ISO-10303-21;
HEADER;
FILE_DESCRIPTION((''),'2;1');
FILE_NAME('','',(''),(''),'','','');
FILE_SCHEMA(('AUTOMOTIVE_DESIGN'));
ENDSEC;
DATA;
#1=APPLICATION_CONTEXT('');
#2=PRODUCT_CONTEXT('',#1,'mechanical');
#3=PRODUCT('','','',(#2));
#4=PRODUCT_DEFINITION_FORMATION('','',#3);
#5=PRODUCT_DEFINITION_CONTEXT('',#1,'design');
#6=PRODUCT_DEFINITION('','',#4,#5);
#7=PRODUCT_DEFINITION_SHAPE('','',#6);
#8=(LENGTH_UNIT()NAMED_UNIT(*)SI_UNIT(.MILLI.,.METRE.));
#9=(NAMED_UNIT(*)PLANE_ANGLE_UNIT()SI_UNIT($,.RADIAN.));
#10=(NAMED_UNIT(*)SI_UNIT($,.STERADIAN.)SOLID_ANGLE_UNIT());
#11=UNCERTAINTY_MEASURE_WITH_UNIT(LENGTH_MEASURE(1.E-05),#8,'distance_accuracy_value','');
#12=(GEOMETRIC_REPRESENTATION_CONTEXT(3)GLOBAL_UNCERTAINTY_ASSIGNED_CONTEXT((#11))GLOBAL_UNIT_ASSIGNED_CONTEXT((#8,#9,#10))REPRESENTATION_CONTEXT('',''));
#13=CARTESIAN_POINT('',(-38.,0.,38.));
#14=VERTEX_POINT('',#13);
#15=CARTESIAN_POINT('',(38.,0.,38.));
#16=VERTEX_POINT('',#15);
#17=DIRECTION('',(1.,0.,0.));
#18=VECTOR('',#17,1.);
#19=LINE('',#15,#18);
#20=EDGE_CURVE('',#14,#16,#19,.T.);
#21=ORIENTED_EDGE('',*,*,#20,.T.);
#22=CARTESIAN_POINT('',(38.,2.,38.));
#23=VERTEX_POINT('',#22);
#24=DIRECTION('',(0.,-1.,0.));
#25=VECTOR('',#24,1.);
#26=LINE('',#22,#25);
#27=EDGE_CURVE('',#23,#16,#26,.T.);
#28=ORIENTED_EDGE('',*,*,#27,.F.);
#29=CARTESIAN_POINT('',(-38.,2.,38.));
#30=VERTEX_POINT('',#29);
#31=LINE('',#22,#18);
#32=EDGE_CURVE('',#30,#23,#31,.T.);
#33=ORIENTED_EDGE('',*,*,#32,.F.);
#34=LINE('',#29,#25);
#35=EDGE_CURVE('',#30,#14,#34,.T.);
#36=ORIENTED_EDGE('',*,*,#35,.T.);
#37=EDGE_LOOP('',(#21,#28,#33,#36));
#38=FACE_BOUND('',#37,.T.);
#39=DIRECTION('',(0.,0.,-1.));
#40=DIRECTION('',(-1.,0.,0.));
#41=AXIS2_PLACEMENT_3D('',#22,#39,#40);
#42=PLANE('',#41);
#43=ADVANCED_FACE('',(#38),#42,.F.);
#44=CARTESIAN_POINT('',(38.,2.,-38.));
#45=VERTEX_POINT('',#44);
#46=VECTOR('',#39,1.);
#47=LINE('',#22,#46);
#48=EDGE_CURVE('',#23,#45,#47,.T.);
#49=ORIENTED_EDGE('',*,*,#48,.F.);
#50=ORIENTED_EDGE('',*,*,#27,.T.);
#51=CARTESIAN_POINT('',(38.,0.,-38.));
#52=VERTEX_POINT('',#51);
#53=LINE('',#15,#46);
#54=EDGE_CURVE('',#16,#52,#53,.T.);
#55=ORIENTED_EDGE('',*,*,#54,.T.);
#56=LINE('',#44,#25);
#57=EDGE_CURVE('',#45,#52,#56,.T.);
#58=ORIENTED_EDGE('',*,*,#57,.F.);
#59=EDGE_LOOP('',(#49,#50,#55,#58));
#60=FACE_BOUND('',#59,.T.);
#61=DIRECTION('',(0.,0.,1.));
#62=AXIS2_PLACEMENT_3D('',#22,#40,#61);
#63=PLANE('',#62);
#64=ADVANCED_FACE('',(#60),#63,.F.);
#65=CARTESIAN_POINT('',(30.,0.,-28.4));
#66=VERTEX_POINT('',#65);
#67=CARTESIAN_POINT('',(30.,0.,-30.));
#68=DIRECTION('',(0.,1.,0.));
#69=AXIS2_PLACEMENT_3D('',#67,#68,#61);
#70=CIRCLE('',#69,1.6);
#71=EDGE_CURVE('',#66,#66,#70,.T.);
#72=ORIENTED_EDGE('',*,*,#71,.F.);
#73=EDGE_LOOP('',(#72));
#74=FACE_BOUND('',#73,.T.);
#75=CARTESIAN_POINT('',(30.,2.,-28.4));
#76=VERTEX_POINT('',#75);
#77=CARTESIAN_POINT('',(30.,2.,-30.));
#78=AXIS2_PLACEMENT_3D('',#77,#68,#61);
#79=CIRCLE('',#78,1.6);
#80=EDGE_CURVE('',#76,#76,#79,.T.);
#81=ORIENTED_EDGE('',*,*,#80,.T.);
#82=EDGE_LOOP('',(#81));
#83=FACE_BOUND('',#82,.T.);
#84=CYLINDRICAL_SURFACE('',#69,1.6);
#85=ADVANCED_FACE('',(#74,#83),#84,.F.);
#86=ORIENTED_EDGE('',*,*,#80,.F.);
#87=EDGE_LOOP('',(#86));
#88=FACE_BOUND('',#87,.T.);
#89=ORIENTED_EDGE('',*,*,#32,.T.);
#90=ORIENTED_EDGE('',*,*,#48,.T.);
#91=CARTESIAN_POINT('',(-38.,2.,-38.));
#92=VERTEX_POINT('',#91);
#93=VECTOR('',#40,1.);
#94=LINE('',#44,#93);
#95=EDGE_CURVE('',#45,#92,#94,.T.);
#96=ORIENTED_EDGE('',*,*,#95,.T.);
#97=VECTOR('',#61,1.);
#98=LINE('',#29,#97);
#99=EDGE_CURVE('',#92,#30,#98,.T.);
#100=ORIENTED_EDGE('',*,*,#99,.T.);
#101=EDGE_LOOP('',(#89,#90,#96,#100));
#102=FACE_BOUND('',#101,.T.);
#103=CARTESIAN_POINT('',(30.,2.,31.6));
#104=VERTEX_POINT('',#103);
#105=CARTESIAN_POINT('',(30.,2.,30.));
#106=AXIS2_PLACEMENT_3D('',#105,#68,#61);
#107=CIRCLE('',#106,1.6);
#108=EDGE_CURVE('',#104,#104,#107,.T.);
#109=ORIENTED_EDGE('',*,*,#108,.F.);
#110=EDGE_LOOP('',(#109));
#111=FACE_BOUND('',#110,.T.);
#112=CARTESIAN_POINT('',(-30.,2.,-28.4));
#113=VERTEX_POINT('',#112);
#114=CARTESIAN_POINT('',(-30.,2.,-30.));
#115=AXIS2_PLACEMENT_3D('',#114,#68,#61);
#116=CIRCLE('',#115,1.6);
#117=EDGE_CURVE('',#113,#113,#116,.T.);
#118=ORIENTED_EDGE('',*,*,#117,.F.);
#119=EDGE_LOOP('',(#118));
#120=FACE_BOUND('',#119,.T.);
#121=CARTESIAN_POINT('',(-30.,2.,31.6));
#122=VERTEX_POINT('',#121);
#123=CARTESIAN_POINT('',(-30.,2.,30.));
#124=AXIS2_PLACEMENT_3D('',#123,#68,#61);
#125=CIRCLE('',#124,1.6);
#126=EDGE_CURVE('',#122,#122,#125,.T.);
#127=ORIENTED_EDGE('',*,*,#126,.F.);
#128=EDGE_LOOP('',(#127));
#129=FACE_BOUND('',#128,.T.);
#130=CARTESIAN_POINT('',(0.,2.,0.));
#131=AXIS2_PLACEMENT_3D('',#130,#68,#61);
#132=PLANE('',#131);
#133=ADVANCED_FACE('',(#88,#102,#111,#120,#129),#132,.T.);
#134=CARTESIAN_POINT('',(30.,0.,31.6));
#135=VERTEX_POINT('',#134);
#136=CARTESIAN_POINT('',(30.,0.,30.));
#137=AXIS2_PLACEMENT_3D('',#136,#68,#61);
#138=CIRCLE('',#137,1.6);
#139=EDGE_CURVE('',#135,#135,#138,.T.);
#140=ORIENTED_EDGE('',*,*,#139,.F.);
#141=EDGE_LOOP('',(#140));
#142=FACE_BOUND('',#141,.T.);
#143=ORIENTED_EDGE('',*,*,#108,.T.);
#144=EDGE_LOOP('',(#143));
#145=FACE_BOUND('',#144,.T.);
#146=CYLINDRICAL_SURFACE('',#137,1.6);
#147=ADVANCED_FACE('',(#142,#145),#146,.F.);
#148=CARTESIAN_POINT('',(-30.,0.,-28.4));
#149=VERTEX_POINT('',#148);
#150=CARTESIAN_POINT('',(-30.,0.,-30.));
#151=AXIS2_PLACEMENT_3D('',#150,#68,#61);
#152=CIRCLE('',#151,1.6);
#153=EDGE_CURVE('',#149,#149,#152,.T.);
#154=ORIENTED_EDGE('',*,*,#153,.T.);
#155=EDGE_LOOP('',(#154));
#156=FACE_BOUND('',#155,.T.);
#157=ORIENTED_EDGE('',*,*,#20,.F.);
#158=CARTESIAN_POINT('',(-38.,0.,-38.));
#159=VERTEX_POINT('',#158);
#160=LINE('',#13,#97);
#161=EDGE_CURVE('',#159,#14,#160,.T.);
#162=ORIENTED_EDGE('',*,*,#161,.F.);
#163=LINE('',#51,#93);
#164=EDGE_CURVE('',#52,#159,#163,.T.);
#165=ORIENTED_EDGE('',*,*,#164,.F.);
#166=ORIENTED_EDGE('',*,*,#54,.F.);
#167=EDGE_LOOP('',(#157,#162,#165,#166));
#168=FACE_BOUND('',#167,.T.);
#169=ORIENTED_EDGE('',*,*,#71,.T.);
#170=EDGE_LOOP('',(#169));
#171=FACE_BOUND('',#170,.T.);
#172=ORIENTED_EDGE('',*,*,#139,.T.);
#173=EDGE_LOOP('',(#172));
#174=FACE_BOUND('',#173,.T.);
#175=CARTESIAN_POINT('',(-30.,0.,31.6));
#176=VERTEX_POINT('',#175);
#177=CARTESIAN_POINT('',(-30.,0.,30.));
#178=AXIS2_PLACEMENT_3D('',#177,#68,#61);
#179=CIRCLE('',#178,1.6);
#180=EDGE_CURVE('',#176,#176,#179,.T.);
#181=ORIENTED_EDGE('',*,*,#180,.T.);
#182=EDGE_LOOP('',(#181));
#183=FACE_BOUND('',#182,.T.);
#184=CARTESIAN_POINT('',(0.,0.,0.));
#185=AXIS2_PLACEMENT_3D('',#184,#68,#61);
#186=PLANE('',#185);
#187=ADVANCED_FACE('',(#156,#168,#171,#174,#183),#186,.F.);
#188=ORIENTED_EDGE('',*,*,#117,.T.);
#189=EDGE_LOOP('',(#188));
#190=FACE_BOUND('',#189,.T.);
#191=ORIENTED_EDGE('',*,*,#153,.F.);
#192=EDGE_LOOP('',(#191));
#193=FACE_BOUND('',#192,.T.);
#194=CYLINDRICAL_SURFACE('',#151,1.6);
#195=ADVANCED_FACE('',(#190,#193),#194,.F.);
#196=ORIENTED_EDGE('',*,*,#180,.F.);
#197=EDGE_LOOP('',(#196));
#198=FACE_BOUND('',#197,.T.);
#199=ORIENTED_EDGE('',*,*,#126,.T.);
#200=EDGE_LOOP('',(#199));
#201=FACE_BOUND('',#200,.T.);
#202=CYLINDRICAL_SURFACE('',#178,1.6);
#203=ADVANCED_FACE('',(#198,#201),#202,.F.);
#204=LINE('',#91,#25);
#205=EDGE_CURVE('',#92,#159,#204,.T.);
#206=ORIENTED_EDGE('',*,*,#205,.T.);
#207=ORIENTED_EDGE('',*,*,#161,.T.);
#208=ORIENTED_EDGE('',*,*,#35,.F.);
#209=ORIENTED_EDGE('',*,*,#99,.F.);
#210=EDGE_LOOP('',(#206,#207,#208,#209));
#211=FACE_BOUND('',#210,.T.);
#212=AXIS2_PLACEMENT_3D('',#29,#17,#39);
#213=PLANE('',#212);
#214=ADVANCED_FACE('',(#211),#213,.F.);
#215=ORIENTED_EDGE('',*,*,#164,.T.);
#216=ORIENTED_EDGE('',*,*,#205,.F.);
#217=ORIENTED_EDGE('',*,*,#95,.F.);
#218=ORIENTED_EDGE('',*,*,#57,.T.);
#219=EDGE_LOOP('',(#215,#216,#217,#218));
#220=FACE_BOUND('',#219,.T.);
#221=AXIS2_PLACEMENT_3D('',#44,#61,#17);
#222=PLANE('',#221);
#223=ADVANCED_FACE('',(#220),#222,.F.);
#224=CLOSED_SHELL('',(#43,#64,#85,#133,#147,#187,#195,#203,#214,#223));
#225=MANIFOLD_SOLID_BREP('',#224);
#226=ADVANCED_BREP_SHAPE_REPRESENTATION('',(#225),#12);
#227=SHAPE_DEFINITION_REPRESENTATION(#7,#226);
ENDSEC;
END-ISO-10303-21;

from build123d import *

# Parameters (mm, degrees)
SKETCH_1_W                  = 76
SKETCH_1_H                  = 76
EXTRUDE_1_DEPTH             = 2
SKETCH_2_R                  = 1.6
CUT_EXTRUDE_1_DEPTH         = 2
PATTERN_LINEAR_1_COUNT      = 2
PATTERN_LINEAR_1_PITCH      = 60
PATTERN_LINEAR_1_COUNT_DIR2 = 2
PATTERN_LINEAR_1_PITCH_DIR2 = 60


with BuildPart() as part:
    # 草图1 → 凸台-拉伸1 (new body)
    with BuildSketch(Plane(origin=(0, 0, 0), x_dir=(1, 0, 0), z_dir=(0, 1, 0))):
        Rectangle(SKETCH_1_W, SKETCH_1_H)
    extrude(amount=EXTRUDE_1_DEPTH)

    # 草图2 → 切除-拉伸1 (cut)
    with BuildSketch(Plane(origin=(0, 2, 0), x_dir=(1, 0, 0), z_dir=(0, 1, 0))):
        with Locations(Location((-30, 30, 0), (0, 0, 270))):
            Circle(SKETCH_2_R)
    cut_extrude_1 = extrude(amount=-CUT_EXTRUDE_1_DEPTH, mode=Mode.SUBTRACT)

    # 阵列(线性)1: Cut-Extrude 1 2 × 2
    with Locations(*[(i * PATTERN_LINEAR_1_PITCH, 0, j * PATTERN_LINEAR_1_PITCH_DIR2) for i in range(PATTERN_LINEAR_1_COUNT) for j in range(PATTERN_LINEAR_1_COUNT_DIR2) if (i, j) != (0, 0)]):
        add(cut_extrude_1, mode=Mode.SUBTRACT)


solid = part.part
